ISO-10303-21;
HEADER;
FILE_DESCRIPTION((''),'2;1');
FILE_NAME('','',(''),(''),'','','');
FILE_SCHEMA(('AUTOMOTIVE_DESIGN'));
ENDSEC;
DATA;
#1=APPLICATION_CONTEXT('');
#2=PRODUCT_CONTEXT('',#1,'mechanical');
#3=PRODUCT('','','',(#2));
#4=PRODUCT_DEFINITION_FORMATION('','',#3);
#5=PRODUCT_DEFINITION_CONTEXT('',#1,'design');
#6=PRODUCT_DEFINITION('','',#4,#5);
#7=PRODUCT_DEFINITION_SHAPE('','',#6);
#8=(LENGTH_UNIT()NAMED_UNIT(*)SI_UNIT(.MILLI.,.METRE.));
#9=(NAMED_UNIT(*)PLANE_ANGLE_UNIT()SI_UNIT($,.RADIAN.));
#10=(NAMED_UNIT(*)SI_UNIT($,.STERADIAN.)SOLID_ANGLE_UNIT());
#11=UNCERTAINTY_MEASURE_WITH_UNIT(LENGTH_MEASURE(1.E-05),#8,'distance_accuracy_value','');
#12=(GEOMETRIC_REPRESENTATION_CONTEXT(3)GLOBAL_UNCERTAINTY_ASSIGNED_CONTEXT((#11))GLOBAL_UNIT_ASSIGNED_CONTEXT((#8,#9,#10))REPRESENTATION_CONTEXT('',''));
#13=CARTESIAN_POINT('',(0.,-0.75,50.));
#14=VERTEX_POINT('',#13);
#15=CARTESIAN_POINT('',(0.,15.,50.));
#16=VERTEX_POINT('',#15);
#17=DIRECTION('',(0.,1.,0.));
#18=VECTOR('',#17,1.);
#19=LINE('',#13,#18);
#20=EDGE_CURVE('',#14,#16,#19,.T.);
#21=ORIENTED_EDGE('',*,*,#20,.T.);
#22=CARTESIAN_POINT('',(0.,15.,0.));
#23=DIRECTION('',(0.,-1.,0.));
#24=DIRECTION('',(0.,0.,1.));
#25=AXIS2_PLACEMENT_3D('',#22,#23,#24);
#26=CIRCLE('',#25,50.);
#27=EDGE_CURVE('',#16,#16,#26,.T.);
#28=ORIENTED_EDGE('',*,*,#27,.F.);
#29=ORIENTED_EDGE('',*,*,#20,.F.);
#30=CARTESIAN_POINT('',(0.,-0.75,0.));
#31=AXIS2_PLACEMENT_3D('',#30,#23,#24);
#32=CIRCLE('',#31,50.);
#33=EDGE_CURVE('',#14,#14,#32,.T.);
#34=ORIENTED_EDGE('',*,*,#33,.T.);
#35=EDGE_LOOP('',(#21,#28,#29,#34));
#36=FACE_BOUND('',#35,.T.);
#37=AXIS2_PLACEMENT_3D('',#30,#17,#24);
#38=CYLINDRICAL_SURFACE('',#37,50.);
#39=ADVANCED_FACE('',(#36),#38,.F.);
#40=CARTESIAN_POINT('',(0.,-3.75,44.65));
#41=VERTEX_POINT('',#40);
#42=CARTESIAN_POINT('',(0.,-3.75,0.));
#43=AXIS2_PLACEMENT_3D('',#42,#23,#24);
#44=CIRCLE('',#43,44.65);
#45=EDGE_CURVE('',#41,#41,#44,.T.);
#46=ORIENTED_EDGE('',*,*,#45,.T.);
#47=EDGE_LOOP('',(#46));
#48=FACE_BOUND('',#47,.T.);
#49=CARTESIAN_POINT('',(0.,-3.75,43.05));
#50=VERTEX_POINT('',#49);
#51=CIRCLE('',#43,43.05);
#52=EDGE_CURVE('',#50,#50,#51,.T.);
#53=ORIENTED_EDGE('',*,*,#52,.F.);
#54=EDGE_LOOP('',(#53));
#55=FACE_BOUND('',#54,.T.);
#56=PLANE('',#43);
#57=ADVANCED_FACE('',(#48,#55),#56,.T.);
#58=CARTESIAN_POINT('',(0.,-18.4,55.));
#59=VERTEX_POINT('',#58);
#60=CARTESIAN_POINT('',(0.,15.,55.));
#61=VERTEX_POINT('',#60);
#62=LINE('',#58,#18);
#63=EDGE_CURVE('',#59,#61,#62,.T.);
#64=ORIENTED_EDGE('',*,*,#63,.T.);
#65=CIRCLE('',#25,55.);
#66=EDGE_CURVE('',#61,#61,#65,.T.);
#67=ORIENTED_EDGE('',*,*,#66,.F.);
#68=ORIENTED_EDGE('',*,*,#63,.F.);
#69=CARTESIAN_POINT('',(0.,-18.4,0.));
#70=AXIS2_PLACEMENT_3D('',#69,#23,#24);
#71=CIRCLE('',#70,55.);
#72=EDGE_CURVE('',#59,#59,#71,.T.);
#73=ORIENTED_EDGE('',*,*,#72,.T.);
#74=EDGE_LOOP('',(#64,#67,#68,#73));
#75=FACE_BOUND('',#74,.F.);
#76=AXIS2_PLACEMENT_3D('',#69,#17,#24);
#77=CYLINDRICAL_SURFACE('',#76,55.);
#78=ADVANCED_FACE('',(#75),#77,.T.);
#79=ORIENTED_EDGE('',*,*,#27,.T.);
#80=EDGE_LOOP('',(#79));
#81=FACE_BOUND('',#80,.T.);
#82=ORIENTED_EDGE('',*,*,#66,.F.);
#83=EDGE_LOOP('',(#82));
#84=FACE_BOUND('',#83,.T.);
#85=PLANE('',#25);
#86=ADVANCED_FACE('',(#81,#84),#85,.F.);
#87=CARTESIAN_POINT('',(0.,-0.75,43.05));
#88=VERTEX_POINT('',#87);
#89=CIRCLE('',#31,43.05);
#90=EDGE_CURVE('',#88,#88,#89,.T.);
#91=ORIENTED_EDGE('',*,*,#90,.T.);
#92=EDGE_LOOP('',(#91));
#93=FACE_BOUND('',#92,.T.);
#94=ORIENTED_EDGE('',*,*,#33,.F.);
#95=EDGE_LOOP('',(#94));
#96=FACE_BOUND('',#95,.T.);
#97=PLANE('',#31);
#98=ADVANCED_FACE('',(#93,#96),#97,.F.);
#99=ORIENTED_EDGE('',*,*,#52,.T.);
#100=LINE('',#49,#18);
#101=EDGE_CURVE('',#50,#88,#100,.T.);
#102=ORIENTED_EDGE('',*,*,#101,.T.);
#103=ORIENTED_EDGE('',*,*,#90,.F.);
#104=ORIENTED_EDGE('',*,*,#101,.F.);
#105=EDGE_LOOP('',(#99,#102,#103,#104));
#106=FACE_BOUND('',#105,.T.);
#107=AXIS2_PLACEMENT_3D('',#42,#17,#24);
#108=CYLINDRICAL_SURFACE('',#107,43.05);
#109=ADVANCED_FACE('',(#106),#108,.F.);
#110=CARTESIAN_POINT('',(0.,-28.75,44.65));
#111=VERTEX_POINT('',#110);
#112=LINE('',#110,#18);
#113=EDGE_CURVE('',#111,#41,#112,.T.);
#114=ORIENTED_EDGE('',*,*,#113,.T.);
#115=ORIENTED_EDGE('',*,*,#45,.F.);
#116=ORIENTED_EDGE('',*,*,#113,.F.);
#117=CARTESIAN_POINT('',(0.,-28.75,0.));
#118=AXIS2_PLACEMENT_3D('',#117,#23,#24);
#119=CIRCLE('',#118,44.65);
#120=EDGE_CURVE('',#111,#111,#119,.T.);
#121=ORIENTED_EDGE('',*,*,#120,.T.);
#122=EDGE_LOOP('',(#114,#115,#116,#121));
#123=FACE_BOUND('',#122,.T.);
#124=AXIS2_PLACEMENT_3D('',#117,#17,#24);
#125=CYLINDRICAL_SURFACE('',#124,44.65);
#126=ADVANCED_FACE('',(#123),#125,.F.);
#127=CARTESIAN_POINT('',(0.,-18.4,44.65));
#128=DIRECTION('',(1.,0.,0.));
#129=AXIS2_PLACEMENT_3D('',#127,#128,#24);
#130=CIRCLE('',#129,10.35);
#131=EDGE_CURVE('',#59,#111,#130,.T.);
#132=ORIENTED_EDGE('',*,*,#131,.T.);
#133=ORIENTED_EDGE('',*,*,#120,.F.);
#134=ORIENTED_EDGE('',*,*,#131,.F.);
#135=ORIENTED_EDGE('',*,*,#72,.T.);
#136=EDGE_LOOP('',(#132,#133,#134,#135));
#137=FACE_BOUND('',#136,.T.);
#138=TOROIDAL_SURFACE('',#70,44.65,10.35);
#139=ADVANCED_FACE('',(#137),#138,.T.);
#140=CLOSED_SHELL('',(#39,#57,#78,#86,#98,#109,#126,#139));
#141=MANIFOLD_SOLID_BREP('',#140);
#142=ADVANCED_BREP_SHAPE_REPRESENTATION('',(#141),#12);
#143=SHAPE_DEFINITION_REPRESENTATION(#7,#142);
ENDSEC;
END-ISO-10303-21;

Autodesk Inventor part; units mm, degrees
ref_plane "YZ Plane" through (0, 0, 0) normal (1, 0, 0) x (0, 1, 0)
ref_plane "XZ Plane" through (0, 0, 0) normal (0, 1, 0) x (-1, 0, 0)
ref_plane "XY Plane" through (0, 0, 0) normal (0, 0, 1) x (1, 0, 0)
sketch "Sketch5" plane through (0, 0, 0) normal (1, 0, 0) x (0, 1, 0)
  line L0 (0, 0) -> (-118.6879, 0) construction
  line L1 (-28.75, 44.65) -> (-3.75, 44.65)
  arc A0 (-18.4, 55) -> (-28.75, 44.65) centre (-18.4, 44.65) ccw
  line L2 (-18.4, 55) -> (15, 55)
  line L3 (-0.75, 43.05) -> (-0.75, 50)
  line L4 (-0.75, 50) -> (15, 50)
  line L5 (15, 50) -> (15, 55)
  line L6 (-3.75, 44.65) -> (-3.75, 43.05)
  line L7 (-3.75, 43.05) -> (-0.75, 43.05)
  dimension "d14" = 89.3
  dimension "d15" = 0.75
  dimension "d16" = 1.6
  dimension "d17" = 3
  dimension "d18" = 15
  dimension "d19" = 5
  dimension "d20" = 100
  dimension "d21" = 25
revolve "Revolution1" add sketch "Sketch5" angle 360 about axis through (0, 0, 0) along (0, -1, 0)
properties part number "Forward_Coupler"
